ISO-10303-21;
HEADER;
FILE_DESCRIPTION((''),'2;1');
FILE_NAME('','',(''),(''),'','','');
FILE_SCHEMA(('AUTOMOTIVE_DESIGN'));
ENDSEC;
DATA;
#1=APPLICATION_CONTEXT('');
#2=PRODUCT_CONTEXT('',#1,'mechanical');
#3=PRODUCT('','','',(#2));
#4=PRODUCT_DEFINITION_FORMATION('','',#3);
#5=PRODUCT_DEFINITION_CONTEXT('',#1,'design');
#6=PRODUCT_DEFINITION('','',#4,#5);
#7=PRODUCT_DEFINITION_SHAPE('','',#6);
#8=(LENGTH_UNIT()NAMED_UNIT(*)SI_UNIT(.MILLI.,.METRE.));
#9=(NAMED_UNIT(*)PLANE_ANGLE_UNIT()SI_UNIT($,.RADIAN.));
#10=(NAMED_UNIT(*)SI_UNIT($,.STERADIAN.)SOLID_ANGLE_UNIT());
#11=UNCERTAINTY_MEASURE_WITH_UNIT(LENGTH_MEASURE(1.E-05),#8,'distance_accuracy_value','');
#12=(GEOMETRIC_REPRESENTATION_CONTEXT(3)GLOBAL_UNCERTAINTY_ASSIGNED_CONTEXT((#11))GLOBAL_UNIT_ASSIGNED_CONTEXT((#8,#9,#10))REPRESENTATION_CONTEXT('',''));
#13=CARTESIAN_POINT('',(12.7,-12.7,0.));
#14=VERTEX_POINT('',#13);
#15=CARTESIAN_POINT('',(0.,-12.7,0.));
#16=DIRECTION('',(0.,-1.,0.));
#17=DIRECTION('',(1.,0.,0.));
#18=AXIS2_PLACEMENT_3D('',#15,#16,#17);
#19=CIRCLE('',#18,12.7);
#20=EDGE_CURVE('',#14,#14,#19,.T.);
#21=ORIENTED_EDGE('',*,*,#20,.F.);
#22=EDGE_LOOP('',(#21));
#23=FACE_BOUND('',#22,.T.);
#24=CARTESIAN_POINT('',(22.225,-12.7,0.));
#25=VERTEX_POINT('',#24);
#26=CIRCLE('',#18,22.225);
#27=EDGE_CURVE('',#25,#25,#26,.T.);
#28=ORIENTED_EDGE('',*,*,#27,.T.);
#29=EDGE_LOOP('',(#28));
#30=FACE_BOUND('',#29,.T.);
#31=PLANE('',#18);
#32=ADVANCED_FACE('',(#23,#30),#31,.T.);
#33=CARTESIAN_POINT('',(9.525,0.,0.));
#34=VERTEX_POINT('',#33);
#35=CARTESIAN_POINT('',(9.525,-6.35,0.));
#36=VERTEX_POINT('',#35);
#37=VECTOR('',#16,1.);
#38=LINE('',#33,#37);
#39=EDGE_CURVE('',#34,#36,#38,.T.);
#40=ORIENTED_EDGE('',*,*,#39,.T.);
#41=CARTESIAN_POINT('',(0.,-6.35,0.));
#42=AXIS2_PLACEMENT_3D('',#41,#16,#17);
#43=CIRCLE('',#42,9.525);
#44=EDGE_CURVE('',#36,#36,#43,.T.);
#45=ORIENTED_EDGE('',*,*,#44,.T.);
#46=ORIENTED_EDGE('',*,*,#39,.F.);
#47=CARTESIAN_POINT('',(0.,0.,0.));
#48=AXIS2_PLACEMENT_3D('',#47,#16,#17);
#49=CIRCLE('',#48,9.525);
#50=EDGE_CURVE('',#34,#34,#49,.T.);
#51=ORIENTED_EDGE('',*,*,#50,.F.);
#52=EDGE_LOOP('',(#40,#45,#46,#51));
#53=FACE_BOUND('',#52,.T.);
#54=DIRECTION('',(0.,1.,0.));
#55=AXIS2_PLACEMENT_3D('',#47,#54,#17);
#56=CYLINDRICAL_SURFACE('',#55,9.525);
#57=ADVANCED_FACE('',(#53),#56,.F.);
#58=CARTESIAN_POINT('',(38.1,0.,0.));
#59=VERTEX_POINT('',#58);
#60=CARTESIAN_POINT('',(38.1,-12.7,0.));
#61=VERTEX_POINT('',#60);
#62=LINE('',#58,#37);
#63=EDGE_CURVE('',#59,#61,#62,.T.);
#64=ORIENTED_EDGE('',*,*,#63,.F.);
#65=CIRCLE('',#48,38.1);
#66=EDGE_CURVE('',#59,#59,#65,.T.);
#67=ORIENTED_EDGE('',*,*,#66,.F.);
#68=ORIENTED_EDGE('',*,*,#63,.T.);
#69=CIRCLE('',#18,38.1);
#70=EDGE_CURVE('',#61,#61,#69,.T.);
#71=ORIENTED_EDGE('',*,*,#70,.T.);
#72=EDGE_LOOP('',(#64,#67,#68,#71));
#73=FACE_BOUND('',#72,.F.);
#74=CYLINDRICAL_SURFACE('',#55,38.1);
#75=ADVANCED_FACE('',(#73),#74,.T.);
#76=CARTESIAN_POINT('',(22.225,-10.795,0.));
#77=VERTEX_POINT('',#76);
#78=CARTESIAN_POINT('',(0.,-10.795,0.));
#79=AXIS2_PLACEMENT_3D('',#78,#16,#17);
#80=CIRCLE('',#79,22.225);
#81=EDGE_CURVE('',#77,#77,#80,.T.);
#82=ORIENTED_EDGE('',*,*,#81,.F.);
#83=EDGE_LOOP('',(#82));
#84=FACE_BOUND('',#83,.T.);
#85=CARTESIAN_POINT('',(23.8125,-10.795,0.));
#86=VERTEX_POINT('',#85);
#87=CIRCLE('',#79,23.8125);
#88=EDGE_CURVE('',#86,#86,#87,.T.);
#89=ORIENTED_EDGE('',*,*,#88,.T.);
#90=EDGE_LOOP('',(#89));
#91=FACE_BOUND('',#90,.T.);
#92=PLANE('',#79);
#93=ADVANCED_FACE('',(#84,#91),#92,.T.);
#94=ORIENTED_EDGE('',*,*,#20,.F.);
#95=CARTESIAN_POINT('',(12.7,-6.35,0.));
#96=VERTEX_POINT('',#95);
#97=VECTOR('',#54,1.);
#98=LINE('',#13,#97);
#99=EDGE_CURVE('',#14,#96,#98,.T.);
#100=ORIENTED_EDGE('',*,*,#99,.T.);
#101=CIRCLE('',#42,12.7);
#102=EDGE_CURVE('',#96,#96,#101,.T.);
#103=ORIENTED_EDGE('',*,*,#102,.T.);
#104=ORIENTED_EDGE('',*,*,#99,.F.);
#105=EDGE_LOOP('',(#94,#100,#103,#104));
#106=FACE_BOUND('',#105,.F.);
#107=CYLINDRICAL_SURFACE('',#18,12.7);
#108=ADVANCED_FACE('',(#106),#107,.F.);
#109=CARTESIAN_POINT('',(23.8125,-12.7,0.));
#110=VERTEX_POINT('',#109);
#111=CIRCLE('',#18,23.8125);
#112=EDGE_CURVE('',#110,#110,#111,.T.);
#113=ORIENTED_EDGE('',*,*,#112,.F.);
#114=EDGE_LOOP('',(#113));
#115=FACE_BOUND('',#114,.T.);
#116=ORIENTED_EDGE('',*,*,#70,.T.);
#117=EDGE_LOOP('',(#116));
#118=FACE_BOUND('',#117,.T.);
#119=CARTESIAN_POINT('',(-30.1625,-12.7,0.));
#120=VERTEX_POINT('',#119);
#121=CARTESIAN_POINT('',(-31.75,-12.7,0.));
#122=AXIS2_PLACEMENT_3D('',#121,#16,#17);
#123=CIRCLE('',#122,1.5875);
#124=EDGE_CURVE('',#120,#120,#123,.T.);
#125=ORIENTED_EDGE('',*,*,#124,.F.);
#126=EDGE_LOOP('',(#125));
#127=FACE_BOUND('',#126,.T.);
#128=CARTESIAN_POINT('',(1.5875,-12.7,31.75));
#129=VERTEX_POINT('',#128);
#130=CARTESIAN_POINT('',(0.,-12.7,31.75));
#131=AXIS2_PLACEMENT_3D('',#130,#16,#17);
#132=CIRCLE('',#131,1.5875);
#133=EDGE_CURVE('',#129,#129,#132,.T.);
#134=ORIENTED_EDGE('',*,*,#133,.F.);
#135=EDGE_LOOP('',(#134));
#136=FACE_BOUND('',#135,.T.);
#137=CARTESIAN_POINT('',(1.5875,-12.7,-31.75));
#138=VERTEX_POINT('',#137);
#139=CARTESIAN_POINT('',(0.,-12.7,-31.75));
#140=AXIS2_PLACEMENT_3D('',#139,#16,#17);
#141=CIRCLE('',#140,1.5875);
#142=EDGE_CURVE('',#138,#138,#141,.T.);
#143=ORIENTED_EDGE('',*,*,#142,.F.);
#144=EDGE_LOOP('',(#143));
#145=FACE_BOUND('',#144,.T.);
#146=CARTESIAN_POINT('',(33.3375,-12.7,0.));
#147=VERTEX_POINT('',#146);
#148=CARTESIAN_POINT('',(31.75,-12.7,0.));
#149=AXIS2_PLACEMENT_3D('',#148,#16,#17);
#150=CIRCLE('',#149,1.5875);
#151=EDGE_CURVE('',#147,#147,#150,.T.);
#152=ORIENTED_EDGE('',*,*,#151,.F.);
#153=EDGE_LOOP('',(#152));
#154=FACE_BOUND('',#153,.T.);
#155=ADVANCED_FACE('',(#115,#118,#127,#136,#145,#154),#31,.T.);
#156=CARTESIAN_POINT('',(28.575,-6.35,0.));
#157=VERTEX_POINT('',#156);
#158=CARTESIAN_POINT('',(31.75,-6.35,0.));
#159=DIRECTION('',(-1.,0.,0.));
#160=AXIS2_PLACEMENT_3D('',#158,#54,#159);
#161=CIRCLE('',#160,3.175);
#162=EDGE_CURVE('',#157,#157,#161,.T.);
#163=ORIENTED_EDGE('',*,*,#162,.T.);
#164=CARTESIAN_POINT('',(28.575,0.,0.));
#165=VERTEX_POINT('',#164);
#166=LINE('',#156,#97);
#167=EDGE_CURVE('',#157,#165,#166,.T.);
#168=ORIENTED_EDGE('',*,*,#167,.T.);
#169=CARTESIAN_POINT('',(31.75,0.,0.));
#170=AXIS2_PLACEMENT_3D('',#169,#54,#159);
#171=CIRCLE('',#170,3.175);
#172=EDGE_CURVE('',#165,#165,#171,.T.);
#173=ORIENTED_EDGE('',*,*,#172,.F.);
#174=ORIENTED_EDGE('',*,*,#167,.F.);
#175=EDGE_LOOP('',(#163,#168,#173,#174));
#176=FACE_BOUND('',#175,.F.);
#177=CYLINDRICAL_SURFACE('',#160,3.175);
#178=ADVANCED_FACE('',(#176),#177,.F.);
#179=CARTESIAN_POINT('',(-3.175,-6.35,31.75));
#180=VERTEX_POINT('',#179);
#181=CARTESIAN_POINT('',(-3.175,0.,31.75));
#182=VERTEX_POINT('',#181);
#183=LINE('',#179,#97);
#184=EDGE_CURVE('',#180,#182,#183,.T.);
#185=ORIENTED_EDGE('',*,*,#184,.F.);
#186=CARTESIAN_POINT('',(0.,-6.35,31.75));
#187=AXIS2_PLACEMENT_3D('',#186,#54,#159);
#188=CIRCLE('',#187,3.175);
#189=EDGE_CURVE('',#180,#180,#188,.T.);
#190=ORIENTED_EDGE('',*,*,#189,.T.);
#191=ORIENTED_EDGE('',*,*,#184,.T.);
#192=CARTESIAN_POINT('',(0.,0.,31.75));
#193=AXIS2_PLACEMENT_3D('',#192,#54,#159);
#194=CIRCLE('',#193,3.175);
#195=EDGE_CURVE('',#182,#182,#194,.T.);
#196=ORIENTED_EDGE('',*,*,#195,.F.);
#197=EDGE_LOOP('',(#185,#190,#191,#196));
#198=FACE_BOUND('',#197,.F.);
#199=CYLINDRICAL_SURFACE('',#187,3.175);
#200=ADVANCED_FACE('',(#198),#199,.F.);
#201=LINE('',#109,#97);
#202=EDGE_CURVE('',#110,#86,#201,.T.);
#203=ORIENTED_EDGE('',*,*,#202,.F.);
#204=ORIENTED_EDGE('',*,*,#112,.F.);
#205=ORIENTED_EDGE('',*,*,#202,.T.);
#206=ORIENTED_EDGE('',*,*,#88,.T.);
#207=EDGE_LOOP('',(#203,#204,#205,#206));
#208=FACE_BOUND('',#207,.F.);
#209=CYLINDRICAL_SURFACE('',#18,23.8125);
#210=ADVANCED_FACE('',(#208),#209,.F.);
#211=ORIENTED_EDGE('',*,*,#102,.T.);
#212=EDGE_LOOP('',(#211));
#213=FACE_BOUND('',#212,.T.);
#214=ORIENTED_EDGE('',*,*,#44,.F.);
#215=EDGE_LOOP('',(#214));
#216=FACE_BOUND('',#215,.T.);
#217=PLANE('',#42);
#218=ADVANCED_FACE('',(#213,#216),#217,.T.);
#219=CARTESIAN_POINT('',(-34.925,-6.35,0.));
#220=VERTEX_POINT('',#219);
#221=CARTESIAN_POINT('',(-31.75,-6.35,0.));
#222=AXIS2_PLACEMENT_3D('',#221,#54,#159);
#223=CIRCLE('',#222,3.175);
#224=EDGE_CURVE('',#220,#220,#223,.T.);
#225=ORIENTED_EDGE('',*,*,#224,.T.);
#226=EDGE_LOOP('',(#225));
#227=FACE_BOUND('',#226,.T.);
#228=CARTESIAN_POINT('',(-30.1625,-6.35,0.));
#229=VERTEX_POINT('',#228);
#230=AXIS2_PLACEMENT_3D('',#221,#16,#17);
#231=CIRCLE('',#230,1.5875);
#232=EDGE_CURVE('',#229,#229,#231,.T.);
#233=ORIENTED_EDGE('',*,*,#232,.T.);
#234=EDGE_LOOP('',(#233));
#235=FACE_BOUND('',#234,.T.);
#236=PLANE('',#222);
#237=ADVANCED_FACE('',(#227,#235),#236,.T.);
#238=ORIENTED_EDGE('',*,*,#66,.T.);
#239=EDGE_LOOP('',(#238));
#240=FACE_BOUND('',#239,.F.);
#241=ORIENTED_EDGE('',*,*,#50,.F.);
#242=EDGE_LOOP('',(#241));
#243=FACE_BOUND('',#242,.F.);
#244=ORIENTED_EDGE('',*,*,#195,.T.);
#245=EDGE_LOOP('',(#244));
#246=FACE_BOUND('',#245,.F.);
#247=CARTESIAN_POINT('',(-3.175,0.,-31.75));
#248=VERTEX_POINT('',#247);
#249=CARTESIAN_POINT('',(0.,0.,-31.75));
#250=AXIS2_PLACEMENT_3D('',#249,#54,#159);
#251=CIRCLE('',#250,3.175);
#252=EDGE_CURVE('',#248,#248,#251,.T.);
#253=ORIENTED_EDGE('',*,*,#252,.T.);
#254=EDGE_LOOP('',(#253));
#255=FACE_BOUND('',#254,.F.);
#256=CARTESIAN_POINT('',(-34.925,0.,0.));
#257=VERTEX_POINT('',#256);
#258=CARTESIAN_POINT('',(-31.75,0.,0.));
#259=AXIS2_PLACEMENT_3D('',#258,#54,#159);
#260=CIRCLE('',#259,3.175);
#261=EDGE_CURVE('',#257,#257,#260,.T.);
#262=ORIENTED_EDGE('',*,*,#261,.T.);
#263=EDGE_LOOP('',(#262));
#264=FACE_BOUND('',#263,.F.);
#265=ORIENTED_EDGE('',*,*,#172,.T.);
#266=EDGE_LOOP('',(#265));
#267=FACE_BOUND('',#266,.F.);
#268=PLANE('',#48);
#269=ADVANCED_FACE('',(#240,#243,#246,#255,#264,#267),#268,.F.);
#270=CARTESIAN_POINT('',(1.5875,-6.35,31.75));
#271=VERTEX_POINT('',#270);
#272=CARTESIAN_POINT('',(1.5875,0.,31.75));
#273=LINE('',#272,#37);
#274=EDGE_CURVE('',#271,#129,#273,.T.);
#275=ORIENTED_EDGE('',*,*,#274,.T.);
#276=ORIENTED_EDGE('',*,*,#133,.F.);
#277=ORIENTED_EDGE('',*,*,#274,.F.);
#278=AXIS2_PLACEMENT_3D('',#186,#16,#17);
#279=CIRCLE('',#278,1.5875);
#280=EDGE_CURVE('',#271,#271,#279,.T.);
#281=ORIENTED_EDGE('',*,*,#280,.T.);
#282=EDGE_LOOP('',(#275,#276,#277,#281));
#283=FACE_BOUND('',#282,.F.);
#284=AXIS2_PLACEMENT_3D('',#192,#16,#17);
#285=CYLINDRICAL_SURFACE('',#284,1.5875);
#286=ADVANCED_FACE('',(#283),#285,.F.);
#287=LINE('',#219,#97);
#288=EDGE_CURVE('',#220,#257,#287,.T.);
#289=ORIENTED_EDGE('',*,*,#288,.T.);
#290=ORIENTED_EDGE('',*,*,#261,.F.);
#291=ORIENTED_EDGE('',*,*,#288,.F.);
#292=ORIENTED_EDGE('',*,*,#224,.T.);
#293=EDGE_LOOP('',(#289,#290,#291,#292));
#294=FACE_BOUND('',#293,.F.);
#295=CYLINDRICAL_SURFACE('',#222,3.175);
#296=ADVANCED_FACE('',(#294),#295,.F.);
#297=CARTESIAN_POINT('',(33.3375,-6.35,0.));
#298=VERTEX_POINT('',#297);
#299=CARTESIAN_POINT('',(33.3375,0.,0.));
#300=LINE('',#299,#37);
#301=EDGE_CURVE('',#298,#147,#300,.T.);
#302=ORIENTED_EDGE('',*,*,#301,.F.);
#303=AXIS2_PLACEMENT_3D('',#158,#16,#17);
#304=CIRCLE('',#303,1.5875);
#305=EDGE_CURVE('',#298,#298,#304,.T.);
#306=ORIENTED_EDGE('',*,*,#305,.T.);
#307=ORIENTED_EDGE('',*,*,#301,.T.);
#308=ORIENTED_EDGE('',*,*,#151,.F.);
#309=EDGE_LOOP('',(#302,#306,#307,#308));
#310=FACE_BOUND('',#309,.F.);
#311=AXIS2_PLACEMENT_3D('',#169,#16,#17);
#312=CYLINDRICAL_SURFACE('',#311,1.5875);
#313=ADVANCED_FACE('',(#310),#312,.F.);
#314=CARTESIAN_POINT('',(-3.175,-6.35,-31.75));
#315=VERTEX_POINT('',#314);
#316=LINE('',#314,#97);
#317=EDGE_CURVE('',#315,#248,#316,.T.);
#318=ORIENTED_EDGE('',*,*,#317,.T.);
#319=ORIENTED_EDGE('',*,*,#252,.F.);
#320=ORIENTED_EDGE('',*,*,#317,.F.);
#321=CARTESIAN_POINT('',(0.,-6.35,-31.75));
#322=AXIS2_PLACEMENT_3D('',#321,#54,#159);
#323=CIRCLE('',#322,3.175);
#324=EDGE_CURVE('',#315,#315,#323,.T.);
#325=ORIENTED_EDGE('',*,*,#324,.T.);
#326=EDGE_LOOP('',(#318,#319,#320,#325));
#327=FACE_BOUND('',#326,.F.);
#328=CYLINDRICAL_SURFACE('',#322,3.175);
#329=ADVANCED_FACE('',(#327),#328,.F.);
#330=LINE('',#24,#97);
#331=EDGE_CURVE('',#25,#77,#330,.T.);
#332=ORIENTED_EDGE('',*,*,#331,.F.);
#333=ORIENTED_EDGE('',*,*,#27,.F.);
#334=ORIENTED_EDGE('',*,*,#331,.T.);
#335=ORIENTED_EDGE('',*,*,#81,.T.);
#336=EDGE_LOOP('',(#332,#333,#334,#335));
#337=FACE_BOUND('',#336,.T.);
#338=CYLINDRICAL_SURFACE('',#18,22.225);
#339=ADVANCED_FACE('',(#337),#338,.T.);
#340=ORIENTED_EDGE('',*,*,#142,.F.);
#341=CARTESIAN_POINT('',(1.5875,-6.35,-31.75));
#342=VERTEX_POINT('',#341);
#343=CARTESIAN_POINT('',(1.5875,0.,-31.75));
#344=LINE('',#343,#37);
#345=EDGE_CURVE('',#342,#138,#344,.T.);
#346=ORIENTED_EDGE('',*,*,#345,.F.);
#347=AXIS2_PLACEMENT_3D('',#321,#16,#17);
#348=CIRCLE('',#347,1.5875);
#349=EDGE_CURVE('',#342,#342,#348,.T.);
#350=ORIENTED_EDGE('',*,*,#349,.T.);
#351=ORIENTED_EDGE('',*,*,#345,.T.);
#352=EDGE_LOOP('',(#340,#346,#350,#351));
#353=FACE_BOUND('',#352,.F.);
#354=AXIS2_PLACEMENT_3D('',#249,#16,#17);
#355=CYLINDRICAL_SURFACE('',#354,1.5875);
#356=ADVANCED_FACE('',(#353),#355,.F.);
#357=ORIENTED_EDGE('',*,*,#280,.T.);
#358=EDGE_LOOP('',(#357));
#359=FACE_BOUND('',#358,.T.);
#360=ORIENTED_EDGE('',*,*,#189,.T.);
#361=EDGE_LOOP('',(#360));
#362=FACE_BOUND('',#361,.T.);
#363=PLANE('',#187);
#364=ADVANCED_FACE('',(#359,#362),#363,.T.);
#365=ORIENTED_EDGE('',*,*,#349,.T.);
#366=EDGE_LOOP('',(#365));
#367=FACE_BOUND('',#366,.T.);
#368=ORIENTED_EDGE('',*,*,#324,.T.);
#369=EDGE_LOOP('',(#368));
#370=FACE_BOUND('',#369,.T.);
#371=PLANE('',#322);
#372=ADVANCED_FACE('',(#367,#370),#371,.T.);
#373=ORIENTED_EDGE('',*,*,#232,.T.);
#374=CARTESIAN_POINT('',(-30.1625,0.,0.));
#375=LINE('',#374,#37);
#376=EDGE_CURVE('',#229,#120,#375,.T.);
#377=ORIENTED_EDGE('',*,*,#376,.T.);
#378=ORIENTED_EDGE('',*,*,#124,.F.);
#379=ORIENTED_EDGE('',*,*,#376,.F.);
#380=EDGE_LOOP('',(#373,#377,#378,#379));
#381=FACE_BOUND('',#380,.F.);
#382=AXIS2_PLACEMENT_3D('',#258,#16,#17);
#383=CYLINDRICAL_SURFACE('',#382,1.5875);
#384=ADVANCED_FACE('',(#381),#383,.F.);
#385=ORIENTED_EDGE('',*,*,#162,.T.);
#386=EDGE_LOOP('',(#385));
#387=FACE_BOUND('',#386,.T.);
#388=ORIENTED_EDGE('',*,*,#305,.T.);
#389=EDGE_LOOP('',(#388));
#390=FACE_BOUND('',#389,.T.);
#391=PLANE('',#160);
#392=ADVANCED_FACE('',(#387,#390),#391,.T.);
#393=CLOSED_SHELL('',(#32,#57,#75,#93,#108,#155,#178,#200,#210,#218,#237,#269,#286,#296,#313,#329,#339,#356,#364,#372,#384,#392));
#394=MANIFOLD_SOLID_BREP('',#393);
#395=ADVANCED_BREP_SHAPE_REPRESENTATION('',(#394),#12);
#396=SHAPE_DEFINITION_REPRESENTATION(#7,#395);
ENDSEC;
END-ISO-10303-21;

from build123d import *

# Parameters (mm, degrees)
F0_R           = 38.1
F0_R_2         = 9.525
F1_DEPTH       = 12.7
F2_R           = 12.7
F2_R_2         = 9.525
F3_DEPTH       = 6.35
F5_D           = 3.175
F5_CBORE_D     = 6.35
F5_CBORE_DEPTH = 6.35
F6_R           = 23.8125
F6_R_2         = 22.225
F7_DEPTH       = 1.905


with BuildPart() as f1:
    # F0 (on Front) → F1 (new body)
    with BuildSketch(Plane.XZ):
        Circle(F0_R)
        Circle(F0_R_2, mode=Mode.SUBTRACT)
    extrude(amount=F1_DEPTH)

    # F2 (on face) → F3 (cut)
    with BuildSketch(Plane.XZ.offset(12.7)):
        Circle(F2_R)
        Circle(F2_R_2, mode=Mode.SUBTRACT)
    extrude(amount=-F3_DEPTH, mode=Mode.SUBTRACT)

    # F5 (through all)
    with Locations(Plane(origin=(0, 0, 0), x_dir=(-1, 0, 0), z_dir=(0, 1, 0))):
        with Locations((0, 31.75), (-31.75, 0), (0, -31.75), (31.75, 0)):
            CounterBoreHole(F5_D / 2, F5_CBORE_D / 2, F5_CBORE_DEPTH)

    # F6 (on face) → F7 (cut)
    with BuildSketch(Plane.XZ.offset(12.7)):
        Circle(F6_R)
        Circle(F6_R_2, mode=Mode.SUBTRACT)
    extrude(amount=-F7_DEPTH, mode=Mode.SUBTRACT)


solid = f1.part
